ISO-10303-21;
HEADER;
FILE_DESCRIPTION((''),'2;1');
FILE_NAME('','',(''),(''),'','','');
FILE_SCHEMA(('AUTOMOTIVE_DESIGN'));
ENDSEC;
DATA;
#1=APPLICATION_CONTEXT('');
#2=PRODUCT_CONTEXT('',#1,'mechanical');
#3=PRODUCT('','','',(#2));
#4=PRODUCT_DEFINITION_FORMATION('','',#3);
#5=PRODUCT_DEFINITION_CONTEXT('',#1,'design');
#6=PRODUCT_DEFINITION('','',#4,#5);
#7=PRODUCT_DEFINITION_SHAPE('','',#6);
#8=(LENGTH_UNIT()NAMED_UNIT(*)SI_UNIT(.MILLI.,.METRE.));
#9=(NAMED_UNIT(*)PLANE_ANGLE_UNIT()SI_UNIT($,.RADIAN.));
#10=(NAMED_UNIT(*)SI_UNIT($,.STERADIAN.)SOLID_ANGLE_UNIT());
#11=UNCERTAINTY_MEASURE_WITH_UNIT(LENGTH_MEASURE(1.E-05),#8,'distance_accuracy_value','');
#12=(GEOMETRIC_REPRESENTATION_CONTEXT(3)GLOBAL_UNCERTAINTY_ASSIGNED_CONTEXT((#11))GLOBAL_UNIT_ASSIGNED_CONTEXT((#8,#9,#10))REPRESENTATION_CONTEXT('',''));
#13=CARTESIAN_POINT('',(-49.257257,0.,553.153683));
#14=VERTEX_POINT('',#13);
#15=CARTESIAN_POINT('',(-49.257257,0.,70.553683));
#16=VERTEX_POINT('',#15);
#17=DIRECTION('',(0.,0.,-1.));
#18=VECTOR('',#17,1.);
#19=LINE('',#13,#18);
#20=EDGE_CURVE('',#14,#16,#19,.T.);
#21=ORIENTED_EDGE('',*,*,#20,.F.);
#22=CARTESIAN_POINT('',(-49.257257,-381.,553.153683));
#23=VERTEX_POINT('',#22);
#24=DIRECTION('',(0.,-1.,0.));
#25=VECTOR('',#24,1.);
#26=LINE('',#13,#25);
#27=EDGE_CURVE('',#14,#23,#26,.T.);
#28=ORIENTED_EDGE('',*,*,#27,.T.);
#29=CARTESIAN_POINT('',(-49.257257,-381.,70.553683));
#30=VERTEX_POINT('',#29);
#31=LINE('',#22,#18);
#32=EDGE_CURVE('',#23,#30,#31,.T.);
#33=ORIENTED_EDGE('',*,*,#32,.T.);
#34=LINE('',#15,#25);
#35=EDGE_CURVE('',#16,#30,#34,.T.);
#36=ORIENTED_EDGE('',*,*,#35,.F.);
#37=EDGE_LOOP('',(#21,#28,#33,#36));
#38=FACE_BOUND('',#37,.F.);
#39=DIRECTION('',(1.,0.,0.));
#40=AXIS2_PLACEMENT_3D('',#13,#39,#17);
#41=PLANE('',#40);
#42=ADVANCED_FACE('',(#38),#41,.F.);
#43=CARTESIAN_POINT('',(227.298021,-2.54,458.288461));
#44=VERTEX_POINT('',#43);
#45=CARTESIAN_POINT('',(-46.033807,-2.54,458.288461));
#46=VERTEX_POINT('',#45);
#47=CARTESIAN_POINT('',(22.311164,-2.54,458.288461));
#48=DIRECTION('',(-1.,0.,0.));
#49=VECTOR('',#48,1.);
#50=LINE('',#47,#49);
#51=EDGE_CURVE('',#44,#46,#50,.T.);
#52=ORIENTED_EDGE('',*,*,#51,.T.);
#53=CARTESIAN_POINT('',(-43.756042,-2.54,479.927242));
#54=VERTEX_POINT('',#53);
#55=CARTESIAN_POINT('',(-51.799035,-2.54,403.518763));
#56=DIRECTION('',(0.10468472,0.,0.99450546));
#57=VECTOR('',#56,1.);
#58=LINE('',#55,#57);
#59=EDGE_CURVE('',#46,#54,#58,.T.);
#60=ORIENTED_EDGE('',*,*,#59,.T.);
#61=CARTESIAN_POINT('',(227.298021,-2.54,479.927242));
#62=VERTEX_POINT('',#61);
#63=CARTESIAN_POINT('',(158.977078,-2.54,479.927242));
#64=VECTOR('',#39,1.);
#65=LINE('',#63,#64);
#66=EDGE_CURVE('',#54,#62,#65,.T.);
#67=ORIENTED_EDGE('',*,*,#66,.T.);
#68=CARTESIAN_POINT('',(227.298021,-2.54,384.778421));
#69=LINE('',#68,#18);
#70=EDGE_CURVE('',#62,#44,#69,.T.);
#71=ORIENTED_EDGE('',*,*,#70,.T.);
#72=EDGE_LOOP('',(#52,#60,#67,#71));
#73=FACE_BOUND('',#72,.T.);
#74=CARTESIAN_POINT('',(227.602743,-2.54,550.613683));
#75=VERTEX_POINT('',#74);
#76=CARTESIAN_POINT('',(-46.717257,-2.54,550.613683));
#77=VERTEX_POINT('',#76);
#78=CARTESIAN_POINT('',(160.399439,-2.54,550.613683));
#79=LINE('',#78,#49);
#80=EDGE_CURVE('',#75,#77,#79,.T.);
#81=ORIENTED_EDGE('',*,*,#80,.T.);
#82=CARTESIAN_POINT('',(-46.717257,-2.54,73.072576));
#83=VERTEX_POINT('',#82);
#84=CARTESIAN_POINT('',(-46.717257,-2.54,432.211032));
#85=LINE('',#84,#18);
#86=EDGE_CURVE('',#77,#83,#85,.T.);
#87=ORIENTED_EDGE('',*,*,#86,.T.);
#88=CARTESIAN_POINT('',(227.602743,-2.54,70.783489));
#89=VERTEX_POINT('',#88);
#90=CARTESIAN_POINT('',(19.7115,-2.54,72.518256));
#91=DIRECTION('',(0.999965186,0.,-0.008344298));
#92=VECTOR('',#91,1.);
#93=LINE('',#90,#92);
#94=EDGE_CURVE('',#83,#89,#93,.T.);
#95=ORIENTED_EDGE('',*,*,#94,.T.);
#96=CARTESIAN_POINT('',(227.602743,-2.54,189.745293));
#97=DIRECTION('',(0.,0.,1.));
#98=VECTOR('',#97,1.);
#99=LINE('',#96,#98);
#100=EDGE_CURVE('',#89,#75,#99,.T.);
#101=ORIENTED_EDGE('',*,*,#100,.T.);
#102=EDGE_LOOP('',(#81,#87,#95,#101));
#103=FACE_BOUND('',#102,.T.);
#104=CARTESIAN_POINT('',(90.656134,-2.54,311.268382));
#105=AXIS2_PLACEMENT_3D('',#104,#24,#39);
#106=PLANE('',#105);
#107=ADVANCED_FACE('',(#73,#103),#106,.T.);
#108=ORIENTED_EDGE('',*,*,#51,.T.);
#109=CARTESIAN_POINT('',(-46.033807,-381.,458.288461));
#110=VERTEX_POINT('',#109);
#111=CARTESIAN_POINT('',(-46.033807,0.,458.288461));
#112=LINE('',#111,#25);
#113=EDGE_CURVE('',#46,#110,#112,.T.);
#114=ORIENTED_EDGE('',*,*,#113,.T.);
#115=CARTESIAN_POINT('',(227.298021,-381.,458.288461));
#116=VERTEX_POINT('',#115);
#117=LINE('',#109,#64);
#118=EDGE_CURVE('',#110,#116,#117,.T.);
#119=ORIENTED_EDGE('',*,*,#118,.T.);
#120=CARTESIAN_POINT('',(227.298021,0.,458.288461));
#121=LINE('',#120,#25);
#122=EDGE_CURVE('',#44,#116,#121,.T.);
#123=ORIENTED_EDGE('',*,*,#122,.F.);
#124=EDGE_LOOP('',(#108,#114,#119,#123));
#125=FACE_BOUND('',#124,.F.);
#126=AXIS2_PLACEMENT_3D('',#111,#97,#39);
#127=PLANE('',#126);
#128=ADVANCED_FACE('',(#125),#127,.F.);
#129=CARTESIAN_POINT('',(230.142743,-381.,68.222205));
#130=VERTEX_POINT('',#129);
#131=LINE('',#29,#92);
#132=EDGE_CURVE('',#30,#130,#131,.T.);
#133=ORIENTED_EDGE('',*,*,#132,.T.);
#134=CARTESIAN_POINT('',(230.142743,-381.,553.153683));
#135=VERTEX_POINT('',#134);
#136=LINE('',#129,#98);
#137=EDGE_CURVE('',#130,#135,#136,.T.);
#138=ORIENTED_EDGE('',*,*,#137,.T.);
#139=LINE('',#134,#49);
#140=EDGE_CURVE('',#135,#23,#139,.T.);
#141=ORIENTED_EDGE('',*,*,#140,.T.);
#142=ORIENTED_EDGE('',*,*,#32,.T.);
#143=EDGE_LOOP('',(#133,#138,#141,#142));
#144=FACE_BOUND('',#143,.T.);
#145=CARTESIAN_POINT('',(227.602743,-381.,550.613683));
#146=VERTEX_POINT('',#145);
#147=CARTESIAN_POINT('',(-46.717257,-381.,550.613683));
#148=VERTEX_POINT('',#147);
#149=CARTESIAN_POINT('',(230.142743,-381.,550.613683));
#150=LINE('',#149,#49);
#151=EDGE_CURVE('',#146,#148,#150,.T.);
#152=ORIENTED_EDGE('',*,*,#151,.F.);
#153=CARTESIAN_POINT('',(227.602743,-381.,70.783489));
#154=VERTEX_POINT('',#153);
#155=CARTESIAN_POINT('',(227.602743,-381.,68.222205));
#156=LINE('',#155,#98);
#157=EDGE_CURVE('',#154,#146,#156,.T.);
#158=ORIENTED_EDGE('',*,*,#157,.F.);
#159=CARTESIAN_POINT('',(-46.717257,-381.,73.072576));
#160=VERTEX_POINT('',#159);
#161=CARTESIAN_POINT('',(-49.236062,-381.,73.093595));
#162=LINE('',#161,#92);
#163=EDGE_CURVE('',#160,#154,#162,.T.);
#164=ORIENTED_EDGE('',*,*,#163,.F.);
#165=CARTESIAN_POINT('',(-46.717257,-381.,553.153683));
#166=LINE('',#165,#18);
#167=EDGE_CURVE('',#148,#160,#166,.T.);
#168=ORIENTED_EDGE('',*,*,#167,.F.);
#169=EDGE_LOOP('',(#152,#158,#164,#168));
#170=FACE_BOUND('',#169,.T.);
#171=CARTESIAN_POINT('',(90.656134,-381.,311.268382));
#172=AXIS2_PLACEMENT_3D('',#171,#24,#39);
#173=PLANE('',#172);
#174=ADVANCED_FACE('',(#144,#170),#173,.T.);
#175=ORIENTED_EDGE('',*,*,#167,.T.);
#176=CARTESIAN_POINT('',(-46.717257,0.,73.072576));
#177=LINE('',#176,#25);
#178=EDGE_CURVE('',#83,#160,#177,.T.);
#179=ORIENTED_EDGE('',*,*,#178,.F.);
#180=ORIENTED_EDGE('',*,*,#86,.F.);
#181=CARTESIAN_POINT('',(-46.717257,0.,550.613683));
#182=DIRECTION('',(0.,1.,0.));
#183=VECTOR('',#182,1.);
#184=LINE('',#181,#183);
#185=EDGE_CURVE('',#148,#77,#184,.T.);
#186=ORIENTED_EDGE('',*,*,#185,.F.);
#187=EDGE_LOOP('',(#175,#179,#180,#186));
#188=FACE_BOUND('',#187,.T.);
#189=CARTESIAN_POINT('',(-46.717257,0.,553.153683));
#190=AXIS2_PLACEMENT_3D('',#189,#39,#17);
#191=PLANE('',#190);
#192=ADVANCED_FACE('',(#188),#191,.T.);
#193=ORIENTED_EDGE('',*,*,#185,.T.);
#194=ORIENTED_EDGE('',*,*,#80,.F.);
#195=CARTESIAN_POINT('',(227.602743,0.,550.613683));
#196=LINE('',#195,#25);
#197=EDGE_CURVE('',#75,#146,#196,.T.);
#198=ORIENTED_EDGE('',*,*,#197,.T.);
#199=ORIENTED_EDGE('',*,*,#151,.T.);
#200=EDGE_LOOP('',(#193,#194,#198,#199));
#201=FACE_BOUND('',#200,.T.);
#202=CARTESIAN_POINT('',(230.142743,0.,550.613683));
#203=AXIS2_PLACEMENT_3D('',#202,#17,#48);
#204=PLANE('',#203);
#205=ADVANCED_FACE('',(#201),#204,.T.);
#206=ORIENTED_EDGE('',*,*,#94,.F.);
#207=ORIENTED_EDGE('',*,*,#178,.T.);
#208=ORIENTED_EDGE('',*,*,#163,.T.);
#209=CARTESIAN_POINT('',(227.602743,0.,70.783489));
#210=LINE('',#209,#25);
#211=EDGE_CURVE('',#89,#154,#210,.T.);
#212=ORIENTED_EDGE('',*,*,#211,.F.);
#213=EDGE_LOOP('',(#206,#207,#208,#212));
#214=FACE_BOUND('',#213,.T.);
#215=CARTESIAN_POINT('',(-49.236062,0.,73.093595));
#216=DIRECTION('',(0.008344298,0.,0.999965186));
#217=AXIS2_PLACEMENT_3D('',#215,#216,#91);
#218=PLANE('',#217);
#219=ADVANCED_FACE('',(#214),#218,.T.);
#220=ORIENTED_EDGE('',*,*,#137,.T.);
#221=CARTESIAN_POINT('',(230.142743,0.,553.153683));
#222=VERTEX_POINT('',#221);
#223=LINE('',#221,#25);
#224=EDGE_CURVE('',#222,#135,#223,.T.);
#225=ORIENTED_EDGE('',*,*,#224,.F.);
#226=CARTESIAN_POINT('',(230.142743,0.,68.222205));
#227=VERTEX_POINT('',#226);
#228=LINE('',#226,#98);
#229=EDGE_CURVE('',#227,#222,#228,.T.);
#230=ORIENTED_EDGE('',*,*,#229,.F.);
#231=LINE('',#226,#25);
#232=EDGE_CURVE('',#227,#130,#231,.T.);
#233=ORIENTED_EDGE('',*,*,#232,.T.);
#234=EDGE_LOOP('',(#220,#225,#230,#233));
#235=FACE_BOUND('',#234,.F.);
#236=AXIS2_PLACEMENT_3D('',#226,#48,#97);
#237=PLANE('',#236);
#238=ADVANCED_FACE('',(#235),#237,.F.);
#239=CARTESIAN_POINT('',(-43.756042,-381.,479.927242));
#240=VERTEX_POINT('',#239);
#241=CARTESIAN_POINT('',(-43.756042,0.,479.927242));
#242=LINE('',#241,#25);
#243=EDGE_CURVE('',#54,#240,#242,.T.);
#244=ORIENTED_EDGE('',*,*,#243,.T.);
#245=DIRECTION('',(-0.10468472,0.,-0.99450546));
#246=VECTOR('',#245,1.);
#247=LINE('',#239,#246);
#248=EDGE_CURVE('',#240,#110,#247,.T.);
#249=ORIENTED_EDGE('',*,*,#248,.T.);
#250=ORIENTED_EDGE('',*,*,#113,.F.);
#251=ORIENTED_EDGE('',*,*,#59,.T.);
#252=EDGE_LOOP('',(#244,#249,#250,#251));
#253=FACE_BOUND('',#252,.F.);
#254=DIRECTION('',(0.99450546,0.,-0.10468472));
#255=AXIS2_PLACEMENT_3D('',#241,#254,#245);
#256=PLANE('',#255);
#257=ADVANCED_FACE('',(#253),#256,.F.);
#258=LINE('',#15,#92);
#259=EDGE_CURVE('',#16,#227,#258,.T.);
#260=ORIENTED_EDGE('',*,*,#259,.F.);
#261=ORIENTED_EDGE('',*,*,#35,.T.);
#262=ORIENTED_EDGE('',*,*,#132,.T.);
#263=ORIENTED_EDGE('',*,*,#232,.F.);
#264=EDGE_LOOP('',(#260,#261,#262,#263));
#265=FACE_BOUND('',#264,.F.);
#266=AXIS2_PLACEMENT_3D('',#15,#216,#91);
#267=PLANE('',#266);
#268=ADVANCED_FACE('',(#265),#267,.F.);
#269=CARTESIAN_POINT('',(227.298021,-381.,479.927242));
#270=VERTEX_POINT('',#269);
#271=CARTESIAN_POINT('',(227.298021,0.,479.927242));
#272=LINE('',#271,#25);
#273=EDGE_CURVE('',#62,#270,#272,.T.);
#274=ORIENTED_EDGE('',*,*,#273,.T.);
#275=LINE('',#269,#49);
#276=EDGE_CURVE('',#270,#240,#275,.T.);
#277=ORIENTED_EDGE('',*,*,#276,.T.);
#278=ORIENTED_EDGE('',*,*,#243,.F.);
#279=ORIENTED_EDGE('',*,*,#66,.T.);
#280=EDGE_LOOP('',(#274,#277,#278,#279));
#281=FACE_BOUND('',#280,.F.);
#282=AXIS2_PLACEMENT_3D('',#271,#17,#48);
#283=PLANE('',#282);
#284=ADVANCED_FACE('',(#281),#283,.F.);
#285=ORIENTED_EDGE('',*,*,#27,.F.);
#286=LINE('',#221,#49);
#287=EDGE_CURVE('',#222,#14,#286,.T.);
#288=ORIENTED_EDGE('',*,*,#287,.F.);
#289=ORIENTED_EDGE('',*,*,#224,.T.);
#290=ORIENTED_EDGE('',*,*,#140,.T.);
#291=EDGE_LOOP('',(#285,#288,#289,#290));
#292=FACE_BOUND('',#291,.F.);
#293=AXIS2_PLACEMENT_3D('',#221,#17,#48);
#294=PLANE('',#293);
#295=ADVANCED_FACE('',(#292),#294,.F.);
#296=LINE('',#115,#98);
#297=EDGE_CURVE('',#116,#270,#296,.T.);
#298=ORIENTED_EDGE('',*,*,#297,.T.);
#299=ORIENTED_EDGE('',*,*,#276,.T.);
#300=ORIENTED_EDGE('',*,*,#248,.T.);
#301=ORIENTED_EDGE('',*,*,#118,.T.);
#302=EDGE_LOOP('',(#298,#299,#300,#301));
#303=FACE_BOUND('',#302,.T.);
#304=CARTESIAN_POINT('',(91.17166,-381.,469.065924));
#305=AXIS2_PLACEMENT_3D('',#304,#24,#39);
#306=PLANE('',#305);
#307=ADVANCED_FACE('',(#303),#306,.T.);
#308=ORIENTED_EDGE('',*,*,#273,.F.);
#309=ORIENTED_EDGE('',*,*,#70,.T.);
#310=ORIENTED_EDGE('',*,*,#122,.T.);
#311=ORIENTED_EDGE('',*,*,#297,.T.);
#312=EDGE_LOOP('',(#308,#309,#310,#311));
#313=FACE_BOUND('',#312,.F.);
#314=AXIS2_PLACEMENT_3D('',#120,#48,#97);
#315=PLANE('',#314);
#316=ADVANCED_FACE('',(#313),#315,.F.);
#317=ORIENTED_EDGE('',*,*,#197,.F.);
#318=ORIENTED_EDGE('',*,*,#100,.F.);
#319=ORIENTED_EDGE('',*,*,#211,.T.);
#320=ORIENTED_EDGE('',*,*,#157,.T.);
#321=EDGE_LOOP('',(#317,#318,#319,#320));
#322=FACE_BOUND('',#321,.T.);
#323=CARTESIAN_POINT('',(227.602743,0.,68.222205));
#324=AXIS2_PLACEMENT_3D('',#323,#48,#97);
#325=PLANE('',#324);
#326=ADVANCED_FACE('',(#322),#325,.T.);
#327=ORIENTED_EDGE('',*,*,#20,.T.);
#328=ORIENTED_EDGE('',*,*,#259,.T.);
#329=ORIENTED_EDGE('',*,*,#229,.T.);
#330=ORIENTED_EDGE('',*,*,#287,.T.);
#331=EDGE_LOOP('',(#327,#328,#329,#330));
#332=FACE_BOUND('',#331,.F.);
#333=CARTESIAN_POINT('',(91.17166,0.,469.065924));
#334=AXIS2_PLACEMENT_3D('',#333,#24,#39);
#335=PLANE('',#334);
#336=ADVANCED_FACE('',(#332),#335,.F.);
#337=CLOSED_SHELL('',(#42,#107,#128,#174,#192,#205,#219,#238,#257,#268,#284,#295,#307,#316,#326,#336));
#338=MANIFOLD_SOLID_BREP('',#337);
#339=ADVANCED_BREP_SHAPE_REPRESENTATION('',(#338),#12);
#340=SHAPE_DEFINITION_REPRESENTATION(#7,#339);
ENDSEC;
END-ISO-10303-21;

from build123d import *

# Parameters (mm, degrees)
F1_DEPTH = 381
F2_T     = -2.54
F4_DEPTH = 381


with BuildPart() as f1:
    # F0 (on Front) → F1 (new body)
    with BuildSketch(Plane.XZ):
        Polygon((-49.257257, 553.153683), (-49.257257, 70.553683), (230.142743, 68.222205), (230.142743, 553.153683), align=None)
    extrude(amount=F1_DEPTH)

    # F2
    f2_openings = [f1.faces().sort_by_distance(p)[0] for p in [
        (90.554956, -381, 311.270346),
    ]]
    offset(amount=F2_T, openings=f2_openings)

    # F3 (on Front) → F4 (join)
    with BuildSketch(Plane.XZ):
        Polygon((227.298021, 479.927242), (-43.756042, 479.927242), (-46.033807, 458.288461), (227.298021, 458.288461), align=None)
    extrude(amount=F4_DEPTH)


solid = f1.part
